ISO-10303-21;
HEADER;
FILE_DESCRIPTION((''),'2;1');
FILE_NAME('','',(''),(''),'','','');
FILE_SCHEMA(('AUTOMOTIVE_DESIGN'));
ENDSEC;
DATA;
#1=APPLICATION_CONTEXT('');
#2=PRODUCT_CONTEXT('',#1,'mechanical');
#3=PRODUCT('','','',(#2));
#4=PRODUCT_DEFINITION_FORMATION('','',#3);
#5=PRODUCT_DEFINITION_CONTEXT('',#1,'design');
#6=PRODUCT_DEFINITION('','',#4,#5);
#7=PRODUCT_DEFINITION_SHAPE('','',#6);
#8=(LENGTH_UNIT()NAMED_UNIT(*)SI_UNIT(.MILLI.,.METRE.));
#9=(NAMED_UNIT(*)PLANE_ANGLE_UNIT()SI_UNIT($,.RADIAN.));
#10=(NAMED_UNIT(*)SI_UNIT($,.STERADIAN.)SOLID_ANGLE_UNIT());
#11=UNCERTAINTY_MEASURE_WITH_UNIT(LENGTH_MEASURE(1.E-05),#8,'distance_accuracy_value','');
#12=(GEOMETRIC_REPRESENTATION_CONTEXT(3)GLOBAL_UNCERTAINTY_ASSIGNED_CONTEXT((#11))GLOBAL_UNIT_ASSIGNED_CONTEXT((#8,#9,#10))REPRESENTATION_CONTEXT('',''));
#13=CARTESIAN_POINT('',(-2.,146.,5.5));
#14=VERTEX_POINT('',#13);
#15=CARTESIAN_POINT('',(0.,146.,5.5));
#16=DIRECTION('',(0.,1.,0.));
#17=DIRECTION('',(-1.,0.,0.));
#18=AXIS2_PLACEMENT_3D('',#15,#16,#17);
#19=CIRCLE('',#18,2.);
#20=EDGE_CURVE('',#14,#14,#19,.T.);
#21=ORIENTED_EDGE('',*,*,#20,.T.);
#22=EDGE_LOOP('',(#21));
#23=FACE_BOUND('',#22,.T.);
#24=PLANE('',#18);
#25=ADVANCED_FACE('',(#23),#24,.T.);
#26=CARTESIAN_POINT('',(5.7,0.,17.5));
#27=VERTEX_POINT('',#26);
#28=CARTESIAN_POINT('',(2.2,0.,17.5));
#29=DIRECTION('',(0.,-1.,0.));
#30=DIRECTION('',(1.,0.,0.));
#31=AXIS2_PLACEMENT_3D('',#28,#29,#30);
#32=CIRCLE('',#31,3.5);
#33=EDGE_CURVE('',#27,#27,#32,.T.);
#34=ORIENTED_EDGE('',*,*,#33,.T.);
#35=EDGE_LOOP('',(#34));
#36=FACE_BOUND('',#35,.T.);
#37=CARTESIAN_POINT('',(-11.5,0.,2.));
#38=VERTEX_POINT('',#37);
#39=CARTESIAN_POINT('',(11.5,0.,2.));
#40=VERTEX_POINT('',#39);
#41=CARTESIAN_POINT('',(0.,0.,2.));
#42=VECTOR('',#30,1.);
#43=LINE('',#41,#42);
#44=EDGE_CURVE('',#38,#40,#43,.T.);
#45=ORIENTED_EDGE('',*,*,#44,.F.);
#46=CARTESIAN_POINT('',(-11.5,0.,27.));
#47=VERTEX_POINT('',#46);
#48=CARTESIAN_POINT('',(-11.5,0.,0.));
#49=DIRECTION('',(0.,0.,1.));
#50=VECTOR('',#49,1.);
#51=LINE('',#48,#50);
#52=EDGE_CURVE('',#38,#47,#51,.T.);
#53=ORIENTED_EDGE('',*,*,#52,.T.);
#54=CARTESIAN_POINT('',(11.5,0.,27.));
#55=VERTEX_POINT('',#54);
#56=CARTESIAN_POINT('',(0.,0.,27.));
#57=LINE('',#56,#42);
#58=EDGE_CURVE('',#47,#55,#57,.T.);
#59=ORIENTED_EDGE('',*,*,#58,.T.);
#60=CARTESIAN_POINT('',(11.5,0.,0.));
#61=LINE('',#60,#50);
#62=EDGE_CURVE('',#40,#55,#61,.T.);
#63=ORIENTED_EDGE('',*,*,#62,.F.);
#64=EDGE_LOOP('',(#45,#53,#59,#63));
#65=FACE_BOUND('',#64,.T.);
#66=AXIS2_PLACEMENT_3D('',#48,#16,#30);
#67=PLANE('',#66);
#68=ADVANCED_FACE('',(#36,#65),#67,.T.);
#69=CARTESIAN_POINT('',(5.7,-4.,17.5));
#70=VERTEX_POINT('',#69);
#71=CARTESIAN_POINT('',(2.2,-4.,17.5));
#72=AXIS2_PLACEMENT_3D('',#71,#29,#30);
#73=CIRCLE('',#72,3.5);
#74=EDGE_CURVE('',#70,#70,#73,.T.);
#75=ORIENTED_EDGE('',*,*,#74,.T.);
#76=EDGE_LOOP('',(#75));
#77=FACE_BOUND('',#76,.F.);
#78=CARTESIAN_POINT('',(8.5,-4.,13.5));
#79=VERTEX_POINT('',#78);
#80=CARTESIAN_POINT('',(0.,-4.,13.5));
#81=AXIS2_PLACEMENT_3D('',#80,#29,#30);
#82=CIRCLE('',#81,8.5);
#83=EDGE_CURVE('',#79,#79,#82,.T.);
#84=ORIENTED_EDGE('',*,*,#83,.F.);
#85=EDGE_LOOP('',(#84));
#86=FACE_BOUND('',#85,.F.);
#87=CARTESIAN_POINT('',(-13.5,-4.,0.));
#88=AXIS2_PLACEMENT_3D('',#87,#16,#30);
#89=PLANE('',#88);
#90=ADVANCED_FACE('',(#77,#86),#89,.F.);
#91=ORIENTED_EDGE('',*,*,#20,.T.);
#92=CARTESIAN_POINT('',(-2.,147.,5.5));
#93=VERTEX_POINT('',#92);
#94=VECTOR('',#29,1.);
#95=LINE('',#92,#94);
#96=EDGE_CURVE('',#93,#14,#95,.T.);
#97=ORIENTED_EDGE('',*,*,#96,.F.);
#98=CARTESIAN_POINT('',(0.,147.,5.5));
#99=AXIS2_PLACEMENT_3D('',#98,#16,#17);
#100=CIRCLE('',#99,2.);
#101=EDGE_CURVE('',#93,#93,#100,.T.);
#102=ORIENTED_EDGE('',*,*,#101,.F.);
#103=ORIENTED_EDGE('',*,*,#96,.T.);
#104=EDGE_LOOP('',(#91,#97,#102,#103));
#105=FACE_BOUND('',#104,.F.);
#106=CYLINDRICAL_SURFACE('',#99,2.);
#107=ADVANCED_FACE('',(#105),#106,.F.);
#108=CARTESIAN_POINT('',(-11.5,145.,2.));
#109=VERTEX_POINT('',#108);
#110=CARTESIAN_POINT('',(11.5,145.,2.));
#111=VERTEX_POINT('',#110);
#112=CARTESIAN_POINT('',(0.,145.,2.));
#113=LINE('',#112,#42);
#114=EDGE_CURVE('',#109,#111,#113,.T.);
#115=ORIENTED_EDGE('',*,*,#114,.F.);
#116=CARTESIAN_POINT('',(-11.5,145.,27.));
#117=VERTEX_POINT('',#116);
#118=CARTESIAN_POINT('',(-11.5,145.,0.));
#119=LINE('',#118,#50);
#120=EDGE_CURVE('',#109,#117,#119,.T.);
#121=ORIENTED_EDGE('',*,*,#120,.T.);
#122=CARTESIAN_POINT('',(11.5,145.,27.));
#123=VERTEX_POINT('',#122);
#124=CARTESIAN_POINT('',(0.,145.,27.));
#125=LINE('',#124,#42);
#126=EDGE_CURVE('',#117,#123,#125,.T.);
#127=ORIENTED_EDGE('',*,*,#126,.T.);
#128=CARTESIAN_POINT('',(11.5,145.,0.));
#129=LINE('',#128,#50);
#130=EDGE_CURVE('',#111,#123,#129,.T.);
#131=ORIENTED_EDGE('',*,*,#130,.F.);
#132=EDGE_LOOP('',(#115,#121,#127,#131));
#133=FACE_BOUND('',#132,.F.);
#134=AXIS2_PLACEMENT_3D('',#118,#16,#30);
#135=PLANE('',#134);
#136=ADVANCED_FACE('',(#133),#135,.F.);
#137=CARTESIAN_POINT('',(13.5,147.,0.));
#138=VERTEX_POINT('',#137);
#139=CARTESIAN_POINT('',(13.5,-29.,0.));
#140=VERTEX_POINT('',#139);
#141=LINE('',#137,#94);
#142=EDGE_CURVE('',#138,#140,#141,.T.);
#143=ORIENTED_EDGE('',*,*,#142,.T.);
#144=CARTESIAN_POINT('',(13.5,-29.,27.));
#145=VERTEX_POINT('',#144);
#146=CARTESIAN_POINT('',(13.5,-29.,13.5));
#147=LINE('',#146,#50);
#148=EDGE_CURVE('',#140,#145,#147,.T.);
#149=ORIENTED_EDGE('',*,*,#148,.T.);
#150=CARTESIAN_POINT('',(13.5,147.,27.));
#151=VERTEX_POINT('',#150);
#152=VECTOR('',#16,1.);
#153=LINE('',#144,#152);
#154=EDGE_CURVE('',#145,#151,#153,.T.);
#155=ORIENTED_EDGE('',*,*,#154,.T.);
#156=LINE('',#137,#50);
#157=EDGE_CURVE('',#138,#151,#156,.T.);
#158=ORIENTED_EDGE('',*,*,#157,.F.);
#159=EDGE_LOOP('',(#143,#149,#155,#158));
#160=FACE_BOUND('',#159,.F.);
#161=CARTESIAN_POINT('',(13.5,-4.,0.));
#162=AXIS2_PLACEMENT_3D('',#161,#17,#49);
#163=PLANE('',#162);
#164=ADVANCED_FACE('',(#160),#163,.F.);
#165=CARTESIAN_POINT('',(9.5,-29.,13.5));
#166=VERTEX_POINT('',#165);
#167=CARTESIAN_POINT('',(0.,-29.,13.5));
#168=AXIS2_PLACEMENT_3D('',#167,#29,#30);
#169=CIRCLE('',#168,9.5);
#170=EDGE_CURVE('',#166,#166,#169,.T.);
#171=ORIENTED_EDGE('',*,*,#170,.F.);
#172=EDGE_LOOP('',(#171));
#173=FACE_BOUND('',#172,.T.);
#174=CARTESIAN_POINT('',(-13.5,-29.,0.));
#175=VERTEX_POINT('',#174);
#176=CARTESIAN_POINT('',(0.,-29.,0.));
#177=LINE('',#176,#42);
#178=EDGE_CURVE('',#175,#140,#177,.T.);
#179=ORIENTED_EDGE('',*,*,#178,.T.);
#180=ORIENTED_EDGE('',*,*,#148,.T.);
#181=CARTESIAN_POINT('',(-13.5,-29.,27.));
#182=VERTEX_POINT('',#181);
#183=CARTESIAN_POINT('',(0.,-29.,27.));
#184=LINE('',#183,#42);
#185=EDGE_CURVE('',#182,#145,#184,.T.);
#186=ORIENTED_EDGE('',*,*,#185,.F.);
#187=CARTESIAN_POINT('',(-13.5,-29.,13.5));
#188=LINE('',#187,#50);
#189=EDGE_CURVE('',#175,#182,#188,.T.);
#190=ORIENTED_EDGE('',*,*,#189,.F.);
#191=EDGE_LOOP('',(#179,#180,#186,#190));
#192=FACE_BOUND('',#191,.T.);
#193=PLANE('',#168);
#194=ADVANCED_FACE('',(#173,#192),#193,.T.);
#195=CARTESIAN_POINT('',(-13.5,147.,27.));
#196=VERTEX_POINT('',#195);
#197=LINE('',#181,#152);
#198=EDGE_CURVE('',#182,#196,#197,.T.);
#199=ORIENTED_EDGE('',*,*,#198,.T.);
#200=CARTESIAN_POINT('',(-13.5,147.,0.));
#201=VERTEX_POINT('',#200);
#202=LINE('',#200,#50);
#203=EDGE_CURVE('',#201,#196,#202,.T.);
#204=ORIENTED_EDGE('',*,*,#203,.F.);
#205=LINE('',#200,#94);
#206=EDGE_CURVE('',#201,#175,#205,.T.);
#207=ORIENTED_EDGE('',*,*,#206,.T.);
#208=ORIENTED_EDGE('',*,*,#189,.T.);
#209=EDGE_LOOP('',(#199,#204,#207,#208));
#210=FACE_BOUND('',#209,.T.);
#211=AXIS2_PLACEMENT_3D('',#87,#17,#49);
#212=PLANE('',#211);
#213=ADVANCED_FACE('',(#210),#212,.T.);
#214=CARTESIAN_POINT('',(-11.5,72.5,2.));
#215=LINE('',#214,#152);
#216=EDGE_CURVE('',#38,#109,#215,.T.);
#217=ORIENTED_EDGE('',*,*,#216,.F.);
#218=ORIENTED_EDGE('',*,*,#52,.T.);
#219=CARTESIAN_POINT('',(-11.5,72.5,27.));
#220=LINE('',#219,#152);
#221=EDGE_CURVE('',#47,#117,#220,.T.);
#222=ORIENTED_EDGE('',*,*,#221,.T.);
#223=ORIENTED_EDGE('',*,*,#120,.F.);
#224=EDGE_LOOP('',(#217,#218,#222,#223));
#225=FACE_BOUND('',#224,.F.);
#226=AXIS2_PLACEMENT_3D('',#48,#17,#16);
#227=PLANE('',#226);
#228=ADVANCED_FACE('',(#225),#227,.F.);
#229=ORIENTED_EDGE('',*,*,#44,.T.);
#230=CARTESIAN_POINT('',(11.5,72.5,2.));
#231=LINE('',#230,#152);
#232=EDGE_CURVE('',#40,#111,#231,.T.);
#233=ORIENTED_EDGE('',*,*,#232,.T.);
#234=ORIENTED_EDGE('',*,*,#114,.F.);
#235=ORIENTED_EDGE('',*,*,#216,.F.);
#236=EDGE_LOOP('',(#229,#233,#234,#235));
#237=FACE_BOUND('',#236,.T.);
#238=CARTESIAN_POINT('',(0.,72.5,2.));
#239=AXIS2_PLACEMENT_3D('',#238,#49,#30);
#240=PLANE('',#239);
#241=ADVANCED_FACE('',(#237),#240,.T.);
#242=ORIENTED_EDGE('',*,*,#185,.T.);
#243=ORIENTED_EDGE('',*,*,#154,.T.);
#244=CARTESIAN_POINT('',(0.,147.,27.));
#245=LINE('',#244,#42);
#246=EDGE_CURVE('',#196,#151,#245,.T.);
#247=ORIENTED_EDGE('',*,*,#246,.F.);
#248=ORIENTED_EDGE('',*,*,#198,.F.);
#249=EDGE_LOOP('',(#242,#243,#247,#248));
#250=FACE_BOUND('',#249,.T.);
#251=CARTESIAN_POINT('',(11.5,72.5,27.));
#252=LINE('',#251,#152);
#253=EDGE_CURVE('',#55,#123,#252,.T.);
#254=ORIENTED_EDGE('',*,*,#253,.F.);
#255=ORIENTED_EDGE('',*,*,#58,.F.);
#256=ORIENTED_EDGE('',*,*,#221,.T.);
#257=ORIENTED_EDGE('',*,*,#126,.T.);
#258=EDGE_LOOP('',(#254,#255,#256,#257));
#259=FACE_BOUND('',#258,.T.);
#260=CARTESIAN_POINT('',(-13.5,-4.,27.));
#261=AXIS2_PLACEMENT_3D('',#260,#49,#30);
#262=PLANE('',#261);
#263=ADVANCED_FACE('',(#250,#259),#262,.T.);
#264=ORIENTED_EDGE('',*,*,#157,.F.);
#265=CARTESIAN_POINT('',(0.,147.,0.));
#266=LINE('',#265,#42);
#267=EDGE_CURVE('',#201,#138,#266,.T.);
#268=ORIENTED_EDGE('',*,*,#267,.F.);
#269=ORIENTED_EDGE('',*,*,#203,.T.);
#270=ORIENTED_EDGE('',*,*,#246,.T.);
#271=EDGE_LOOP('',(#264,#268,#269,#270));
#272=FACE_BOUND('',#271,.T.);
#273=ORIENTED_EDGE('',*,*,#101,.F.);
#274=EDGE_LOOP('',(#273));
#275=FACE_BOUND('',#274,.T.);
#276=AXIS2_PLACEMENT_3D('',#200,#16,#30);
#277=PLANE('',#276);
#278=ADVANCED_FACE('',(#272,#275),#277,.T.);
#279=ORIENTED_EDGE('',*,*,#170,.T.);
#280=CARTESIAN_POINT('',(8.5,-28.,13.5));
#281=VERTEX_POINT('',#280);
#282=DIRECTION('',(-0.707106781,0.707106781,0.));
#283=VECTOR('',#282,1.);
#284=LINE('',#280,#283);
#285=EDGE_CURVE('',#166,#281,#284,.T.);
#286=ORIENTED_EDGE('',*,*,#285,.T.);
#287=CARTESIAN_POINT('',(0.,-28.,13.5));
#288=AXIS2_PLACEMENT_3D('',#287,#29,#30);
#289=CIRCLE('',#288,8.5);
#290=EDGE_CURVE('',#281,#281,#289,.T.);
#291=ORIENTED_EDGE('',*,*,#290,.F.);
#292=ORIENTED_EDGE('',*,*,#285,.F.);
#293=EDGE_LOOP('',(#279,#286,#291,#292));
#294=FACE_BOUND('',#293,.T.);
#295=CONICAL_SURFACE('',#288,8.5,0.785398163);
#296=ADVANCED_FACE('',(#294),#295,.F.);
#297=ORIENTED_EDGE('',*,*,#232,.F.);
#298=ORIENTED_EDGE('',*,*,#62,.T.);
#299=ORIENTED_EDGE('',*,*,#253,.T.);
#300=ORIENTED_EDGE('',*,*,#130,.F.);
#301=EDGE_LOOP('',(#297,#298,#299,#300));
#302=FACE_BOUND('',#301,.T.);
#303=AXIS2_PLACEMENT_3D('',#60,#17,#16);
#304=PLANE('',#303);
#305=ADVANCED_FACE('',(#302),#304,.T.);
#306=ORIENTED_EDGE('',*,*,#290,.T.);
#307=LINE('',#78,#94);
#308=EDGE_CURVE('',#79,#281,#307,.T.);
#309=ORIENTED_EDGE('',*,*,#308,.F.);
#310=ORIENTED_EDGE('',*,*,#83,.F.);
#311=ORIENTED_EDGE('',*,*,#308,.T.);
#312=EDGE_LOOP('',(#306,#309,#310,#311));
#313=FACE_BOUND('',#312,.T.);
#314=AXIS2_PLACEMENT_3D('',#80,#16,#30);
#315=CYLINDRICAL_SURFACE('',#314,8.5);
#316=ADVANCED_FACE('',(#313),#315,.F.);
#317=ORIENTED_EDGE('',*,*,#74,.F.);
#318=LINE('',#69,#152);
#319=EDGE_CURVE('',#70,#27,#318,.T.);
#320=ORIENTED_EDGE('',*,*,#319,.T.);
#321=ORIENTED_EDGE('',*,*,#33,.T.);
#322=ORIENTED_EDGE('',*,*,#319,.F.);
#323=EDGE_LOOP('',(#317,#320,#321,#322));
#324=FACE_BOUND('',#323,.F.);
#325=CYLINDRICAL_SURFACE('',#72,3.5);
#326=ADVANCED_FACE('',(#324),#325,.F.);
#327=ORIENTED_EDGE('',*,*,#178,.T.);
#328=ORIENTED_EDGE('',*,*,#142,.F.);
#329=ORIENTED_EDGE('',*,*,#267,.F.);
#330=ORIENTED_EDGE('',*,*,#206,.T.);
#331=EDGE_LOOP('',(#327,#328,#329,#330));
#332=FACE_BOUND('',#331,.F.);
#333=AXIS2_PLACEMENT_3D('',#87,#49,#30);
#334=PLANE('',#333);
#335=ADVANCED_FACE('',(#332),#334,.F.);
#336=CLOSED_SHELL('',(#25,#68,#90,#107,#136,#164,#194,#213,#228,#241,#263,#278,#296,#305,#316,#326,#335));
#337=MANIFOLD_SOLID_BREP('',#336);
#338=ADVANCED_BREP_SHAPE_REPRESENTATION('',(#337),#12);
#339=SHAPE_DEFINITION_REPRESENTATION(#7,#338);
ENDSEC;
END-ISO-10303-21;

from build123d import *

# Parameters (mm, degrees)
F0_W     = 27
F0_H     = 151
F0_W_2   = 23
F0_H_2   = 145
F1_DEPTH = 27
F3_DEPTH = 2
F2_R     = 2
F4_DEPTH = 1
F5_W     = 27
F5_H     = 27
F5_R     = 8.5
F6_DEPTH = 25
F5_R_2   = 3.5
F7_DEPTH = 4
F8_SIZE  = 1


with BuildPart() as f1:
    # F0 (on Top) → F1 (new body)
    with BuildSketch(Plane.XY):
        with Locations((0, 71.5)):
            Rectangle(F0_W, F0_H)
        with Locations((0, 72.5)):
            Rectangle(F0_W_2, F0_H_2, mode=Mode.SUBTRACT)
    extrude(amount=F1_DEPTH)

    # F0 (on Top) → F3 (join)
    with BuildSketch(Plane.XY):
        with Locations((0, 72.5)):
            Rectangle(F0_W_2, F0_H_2)
    extrude(amount=F3_DEPTH)

    # F2 (on face) → F4 (cut)
    with BuildSketch(Plane(origin=(0, 147, 0), x_dir=(-1, 0, 0), z_dir=(0, 1, 0))):
        with Locations((0, 5.5)):
            Circle(F2_R)
    extrude(amount=-F4_DEPTH, mode=Mode.SUBTRACT)

    # F5 (on face) → F6 (join)
    with BuildSketch(Plane.XZ.offset(4)):
        with Locations((0, 13.5)):
            Rectangle(F5_W, F5_H)
        with Locations((0, 13.5)):
            Circle(F5_R, mode=Mode.SUBTRACT)
    extrude(amount=F6_DEPTH)

    # F5 (on face) → F7 (cut, through all)
    with BuildSketch(Plane.XZ.offset(4)):
        with Locations((2.2, 17.5)):
            Circle(F5_R_2)
    extrude(amount=-F7_DEPTH, mode=Mode.SUBTRACT)

    # F8
    f8_edges = [f1.edges().sort_by_distance(p)[0] for p in [
        (-8.5, -29, 13.5),
    ]]
    chamfer(f8_edges, length=F8_SIZE)


solid = f1.part
